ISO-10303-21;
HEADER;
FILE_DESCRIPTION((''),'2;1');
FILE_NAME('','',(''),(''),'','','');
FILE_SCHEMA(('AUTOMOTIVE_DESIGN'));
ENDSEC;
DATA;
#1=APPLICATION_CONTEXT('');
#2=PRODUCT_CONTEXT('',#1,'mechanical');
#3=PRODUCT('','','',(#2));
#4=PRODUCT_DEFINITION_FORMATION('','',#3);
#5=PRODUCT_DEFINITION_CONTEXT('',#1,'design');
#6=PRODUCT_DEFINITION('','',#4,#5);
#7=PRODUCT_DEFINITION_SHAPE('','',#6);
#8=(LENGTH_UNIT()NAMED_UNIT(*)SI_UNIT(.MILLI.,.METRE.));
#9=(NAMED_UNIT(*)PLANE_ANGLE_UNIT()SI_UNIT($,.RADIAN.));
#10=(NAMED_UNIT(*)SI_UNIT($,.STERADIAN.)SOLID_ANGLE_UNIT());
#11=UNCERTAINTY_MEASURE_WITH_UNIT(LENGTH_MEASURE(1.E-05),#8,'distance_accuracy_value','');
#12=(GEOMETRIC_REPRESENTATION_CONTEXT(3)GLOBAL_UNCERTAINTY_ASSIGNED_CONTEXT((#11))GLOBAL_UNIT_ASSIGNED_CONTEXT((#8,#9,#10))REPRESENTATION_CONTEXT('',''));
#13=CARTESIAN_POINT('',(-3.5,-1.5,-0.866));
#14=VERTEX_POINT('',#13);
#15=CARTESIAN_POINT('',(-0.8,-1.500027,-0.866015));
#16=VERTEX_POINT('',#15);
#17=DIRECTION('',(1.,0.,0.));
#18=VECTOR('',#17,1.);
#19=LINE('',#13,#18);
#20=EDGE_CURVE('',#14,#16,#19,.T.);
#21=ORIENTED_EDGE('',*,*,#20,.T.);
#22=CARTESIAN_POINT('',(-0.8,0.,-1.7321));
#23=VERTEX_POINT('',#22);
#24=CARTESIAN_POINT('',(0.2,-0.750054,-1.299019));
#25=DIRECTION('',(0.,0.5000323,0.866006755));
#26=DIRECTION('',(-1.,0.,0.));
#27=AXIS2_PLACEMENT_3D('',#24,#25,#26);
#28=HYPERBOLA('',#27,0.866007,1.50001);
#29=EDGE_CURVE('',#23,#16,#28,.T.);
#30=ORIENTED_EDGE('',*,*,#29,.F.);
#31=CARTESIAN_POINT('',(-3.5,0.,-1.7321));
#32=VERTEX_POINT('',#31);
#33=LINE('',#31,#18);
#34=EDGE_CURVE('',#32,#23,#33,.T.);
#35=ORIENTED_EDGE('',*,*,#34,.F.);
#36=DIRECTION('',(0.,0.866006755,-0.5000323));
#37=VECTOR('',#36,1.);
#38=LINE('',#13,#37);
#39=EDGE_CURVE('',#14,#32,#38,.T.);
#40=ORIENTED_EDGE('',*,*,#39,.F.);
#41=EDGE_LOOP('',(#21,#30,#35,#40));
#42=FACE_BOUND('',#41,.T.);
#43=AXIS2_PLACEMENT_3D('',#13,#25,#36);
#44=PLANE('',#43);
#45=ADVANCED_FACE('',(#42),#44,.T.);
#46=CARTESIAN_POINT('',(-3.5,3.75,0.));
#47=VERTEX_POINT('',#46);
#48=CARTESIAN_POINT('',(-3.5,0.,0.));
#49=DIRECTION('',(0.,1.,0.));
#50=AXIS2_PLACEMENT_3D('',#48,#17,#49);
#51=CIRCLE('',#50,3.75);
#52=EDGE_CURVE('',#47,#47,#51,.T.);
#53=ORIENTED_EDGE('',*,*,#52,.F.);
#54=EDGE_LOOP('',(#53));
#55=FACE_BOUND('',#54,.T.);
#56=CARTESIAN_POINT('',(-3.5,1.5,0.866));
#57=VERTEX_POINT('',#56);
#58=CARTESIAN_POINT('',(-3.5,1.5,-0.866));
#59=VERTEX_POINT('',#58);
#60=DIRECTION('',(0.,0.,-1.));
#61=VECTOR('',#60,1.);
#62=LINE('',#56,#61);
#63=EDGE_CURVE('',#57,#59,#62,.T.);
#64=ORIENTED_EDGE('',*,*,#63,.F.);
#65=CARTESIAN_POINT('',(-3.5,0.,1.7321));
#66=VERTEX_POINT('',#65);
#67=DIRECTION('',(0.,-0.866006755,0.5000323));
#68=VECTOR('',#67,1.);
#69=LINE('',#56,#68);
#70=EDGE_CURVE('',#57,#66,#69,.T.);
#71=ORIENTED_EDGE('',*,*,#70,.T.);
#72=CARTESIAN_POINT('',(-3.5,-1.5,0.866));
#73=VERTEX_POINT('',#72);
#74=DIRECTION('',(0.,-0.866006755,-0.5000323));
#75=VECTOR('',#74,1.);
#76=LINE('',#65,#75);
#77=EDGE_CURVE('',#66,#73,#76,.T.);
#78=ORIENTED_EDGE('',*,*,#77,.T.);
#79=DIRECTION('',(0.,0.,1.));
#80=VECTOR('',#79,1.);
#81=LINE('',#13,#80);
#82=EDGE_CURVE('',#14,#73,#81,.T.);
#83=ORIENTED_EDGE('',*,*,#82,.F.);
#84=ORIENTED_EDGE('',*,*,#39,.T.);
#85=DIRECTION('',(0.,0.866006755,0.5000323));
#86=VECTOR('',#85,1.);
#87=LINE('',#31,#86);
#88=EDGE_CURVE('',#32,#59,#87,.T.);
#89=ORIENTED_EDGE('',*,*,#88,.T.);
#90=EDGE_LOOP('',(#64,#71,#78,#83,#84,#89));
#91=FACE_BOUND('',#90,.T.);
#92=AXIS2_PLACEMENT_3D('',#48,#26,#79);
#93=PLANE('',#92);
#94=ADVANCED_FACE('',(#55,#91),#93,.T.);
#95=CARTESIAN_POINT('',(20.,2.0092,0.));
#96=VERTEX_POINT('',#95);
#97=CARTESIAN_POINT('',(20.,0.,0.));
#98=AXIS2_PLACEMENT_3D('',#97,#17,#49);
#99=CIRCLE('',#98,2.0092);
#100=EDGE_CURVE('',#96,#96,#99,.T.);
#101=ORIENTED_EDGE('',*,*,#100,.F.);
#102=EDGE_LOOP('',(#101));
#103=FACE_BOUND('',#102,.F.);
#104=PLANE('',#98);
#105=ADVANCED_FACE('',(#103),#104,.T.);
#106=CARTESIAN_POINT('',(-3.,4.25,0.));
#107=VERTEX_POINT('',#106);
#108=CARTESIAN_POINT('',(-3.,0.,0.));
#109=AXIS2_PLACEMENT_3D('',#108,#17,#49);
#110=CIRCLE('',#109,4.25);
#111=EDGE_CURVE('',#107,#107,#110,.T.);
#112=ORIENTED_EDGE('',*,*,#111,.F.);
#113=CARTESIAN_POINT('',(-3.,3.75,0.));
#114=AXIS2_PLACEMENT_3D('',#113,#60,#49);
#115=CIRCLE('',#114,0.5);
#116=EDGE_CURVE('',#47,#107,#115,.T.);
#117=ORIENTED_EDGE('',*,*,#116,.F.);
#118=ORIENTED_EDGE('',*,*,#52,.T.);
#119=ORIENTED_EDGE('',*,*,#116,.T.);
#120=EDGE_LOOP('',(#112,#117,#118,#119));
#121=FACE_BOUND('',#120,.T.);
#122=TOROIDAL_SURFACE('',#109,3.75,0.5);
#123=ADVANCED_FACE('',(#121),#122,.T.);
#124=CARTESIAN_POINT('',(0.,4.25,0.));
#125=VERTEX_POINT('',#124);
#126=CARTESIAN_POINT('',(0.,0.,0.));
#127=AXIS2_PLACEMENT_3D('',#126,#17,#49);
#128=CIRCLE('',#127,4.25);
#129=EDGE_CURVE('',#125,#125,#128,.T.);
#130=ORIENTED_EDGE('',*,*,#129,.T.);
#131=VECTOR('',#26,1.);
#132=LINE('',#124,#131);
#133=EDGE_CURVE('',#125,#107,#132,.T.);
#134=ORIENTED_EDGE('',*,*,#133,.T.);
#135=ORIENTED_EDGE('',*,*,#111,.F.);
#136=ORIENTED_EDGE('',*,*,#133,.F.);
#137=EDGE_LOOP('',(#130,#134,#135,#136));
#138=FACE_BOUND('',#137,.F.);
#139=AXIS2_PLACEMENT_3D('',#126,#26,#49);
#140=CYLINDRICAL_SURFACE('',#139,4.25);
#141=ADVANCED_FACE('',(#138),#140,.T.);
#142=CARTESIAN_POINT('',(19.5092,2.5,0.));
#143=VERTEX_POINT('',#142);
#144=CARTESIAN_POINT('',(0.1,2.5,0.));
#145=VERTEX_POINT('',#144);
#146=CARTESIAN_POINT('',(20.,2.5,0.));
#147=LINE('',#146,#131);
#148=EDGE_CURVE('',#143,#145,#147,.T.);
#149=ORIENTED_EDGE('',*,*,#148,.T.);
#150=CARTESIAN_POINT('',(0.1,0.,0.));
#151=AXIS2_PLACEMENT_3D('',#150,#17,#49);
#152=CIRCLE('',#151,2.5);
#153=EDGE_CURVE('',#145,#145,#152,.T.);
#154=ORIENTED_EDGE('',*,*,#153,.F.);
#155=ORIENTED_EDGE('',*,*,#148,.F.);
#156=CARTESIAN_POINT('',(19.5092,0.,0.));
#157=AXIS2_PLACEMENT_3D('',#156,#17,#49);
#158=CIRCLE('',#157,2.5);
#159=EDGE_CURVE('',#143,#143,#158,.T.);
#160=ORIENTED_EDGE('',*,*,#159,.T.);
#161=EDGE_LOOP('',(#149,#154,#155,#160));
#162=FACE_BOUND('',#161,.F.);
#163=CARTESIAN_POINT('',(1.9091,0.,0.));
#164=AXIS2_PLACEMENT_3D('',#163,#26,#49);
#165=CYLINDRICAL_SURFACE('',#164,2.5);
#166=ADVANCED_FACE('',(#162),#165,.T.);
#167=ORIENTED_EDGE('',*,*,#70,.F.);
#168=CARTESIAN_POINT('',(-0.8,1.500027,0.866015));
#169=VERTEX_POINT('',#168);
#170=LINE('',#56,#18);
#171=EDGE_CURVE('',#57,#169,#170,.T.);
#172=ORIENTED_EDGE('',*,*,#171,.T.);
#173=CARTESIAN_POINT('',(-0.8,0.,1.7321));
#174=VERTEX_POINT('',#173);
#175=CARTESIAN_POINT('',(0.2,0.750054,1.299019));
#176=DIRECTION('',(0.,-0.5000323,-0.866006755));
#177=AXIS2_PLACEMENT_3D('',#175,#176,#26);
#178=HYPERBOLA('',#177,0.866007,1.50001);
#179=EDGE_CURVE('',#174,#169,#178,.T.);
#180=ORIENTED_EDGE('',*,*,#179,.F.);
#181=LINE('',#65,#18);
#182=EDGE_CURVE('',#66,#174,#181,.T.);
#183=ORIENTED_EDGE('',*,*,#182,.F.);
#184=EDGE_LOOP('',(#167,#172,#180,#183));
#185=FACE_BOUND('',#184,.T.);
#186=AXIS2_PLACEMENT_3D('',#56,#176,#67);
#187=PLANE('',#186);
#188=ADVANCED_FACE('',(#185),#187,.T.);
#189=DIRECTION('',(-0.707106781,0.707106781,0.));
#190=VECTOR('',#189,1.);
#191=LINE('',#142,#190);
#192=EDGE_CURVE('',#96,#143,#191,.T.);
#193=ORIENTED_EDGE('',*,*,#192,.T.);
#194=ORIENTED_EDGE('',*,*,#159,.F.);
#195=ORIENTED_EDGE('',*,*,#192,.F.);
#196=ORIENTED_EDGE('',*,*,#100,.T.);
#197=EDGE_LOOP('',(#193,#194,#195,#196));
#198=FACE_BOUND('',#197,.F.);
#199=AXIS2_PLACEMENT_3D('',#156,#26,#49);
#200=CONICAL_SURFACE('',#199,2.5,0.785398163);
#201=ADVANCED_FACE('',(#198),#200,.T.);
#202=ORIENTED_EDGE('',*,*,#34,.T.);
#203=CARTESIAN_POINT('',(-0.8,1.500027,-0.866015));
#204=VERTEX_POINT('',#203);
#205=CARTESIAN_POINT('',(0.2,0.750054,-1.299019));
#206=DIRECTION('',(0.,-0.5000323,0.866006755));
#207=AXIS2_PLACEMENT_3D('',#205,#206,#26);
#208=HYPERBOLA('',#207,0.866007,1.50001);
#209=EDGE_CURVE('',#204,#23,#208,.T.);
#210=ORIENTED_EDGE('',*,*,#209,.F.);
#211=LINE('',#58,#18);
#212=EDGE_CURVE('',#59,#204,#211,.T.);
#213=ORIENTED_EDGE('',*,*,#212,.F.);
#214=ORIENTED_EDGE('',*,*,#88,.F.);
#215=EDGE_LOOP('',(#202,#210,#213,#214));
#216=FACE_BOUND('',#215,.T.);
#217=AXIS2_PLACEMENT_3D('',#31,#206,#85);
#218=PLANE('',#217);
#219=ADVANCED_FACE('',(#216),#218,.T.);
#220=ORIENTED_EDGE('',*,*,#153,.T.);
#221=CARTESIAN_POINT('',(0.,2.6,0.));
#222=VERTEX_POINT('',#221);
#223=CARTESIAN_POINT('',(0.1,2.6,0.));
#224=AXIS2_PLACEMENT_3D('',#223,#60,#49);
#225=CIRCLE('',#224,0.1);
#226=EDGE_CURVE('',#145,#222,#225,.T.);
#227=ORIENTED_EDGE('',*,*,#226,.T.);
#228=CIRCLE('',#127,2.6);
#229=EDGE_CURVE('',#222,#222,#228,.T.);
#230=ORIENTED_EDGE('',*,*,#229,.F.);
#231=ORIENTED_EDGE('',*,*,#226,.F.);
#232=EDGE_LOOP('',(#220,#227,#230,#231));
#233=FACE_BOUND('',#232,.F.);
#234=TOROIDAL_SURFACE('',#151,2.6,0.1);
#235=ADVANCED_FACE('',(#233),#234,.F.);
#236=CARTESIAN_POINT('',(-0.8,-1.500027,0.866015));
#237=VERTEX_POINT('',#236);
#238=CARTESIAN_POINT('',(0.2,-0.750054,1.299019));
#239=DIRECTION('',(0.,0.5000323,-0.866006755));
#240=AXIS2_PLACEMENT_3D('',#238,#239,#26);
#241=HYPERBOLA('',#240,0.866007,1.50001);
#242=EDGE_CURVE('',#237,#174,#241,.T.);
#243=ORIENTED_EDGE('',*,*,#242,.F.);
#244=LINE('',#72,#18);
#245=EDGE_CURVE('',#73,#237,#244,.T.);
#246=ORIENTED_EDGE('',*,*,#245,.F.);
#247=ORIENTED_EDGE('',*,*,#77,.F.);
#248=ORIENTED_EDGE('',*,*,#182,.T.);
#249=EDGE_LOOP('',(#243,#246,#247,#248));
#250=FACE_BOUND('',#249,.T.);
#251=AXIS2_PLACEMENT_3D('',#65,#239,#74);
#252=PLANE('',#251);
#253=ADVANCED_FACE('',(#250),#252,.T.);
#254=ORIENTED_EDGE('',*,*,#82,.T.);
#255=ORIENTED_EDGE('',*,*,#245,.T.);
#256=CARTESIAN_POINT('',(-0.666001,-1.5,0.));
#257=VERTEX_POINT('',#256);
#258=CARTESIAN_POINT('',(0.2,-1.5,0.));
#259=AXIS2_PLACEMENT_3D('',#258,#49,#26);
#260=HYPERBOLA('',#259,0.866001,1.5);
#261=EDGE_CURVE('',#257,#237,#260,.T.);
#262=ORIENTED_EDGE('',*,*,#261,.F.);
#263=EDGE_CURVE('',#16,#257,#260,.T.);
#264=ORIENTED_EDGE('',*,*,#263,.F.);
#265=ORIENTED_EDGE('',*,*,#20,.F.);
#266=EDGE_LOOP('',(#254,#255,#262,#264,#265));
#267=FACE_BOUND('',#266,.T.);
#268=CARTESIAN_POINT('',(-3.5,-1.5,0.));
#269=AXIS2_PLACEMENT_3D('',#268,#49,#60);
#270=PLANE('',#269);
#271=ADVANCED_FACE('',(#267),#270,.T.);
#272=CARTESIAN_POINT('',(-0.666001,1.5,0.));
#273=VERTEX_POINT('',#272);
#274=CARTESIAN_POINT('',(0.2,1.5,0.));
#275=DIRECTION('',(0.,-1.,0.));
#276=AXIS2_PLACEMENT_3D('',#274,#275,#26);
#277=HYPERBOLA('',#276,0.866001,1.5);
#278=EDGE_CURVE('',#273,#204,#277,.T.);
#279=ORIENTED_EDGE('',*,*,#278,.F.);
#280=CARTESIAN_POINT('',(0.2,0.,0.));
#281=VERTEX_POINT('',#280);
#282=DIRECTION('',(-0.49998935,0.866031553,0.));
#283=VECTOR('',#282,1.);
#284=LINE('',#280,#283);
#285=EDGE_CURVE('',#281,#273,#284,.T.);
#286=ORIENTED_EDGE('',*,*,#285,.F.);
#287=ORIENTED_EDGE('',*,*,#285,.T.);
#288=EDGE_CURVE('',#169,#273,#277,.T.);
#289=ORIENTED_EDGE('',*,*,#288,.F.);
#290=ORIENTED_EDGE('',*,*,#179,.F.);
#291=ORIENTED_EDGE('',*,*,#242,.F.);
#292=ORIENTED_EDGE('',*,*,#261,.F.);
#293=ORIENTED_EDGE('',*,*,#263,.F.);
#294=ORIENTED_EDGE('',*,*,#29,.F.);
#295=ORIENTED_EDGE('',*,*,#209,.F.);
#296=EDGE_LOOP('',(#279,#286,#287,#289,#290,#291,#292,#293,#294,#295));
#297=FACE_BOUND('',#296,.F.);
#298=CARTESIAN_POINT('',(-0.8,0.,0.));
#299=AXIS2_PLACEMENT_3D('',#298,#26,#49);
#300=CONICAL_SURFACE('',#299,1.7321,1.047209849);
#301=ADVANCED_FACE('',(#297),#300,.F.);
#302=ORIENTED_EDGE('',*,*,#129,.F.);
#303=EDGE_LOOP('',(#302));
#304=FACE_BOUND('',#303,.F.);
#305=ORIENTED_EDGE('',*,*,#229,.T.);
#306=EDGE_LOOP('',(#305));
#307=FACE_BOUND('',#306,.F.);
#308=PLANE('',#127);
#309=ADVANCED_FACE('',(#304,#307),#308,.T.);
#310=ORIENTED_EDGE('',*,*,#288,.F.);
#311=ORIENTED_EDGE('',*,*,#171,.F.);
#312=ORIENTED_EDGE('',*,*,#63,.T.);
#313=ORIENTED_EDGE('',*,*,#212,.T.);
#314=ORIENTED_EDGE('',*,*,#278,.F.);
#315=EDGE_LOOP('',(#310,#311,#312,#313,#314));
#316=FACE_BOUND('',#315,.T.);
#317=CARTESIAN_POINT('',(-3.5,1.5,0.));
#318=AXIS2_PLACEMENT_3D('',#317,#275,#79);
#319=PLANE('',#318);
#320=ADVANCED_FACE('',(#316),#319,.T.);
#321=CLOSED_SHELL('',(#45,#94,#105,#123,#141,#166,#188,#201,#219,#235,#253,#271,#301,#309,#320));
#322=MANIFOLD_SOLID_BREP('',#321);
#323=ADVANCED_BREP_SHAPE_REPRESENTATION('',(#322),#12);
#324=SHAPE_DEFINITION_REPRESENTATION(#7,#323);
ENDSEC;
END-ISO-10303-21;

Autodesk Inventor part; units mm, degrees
ref_plane "YZ Plane" through (0, 0, 0) normal (1, 0, 0) x (0, 1, 0)
ref_plane "XZ Plane" through (0, 0, 0) normal (0, 1, 0) x (-1, 0, 0)
sketch "Sketch1" plane through (0, 0, 0) normal (0, 0, 1) x (1, 0, 0)
  line L0 (0.2, 0) -> (20, 0)
  line L1 (20, 0) -> (20, 2.5)
  line L2 (20, 2.5) -> (2.4, 2.5)
  line L3 (2.4, 2.5) -> (1.9091, 2.5)
  line L4 (1.9091, 2.5) -> (0, 2.5)
  line L5 (0, 2.5) -> (0, 4.25)
  line L6 (0, 4.25) -> (-3.5, 4.25)
  line L7 (-3.5, 4.25) -> (-3.5, 1.7321)
  line L8 (-3.5, 1.7321) -> (-0.8, 1.7321)
  line L9 (-0.8, 1.7321) -> (0.2, 0)
  line L10 (-8.2, 0) -> (24.7, 0) projected
  line L11 (0, -0.85) -> (0, 5.1) projected
  line L12 (2.4, 2.5) -> (0, 2.5) construction
  dimension "d1" = 17.6
  dimension "d2" = 0.4909
  dimension "d3" = 3.5
  dimension "d4" = 2.7
  dimension "d5" = 60
  dimension "d6" = 5
  dimension "d7" = 5
  dimension "d8" = 3.4641
  dimension "d9" = 8.5
  dimension "d26" = 20
revolve "Body" add sketch "Sketch1" angle 360 about axis through (0.2, 0, 0) along (1, 0, 0) contours L9 L11 L4 L3 L2 L1 L0 | L9 L8 L7 L6 L5 L11
sketch "Sketch2" plane through (-3.5, 0, 0) normal (-1, 0, 0) x (0, 0, 1)
  circle A0 centre (0, 0) radius 1.7321 projected
  line L0 (0, -5.95) -> (0, 5.95) projected
  line L1 (-5.95, 0) -> (5.95, 0) projected
  line L2 (1.7321, 0) -> (0.866, -1.5)
  line L3 (0.866, -1.5) -> (-0.866, -1.5)
  line L4 (-0.866, -1.5) -> (-1.7321, 0)
  line L5 (-1.7321, 0) -> (-0.866, 1.5)
  line L6 (-0.866, 1.5) -> (0.866, 1.5)
  line L7 (0.866, 1.5) -> (1.7321, 0)
extrude "Slot" add sketch "Sketch2" against normal up to next contours L7 A0 | A0 L2 | L6 L0 A0 | A0 L0 L3 | L0 L6 A0 | A0 L3 L0 | L4 A0 | A0 L5
fillet "Fillet1" radius 0.5 1 edges at (-3.5, -4.25, 0)
thread "Thread" size "M5x0.8" class "6g" standard "ISO Metric profile" length 17.6
chamfer "Chamfer1" distance 0.4908 distance2 0.4908 1 edges at (20, -2.5, 0) measured on face at (20, -0.7379, -0.3873)
ref_plane "Work Plane1" through (29, 0, 0) normal (0, -1, 0) x (1, 0, 0)
fillet "Fillet2" radius 0.1 1 edges at (0, -2.5, 0)
equation "\"d1\" = GEL"
equation "\"d3\" = KOH"
equation "\"d4\" = INTI"
equation "\"d6\" = GD"
equation "\"d7\" = BDM"
equation "\"d8\" = 1.1547 * SW"
equation "\"d9\" = KOD"
equation "\"d26\" = NLG"
equation "\"d30\" = R"
equation "\"d17\" = RR"
equation "\"d13\" = GEL"
equation "\"d15\" = -0.5 * SPD + 0.5 * GD"
equation "\"d16\" = GUL"
equation "\"GD\" = NND"
equation "\"NLG\" = 20"
equation "\"GEL\" = 17.6"
equation "\"KOD\" = 8.5"
equation "\"KOH\" = 3.5"
equation "\"INTI\" = 2.7"
equation "\"GAL\" = 0.61345 * PTC"
equation "\"GUL\" = 0.61345 * PTC"
equation "\"BDM\" = NND"
equation "\"SW\" = 3"
equation "\"RR\" = 0.5"
equation "\"SPD\" = NND - 1.2269 * PTC"
equation "\"R\" = 0.1"
equation "\"TOA\" = 30deg"
equation "\"GD1\" = THREADDIA - 1.2269 * PTC"
equation "\"THREADDIA\" = 5"
equation "\"FAWI\" = 45deg"
equation "\"ANG\" = 120deg"
equation "\"PTC\" = 0.8"
equation "\"NND\" = 5"
equation "\"E0\" = 1.155 * SW"
properties part number "DIN 7984 - M5 x 20" material "Steel, Mild"
